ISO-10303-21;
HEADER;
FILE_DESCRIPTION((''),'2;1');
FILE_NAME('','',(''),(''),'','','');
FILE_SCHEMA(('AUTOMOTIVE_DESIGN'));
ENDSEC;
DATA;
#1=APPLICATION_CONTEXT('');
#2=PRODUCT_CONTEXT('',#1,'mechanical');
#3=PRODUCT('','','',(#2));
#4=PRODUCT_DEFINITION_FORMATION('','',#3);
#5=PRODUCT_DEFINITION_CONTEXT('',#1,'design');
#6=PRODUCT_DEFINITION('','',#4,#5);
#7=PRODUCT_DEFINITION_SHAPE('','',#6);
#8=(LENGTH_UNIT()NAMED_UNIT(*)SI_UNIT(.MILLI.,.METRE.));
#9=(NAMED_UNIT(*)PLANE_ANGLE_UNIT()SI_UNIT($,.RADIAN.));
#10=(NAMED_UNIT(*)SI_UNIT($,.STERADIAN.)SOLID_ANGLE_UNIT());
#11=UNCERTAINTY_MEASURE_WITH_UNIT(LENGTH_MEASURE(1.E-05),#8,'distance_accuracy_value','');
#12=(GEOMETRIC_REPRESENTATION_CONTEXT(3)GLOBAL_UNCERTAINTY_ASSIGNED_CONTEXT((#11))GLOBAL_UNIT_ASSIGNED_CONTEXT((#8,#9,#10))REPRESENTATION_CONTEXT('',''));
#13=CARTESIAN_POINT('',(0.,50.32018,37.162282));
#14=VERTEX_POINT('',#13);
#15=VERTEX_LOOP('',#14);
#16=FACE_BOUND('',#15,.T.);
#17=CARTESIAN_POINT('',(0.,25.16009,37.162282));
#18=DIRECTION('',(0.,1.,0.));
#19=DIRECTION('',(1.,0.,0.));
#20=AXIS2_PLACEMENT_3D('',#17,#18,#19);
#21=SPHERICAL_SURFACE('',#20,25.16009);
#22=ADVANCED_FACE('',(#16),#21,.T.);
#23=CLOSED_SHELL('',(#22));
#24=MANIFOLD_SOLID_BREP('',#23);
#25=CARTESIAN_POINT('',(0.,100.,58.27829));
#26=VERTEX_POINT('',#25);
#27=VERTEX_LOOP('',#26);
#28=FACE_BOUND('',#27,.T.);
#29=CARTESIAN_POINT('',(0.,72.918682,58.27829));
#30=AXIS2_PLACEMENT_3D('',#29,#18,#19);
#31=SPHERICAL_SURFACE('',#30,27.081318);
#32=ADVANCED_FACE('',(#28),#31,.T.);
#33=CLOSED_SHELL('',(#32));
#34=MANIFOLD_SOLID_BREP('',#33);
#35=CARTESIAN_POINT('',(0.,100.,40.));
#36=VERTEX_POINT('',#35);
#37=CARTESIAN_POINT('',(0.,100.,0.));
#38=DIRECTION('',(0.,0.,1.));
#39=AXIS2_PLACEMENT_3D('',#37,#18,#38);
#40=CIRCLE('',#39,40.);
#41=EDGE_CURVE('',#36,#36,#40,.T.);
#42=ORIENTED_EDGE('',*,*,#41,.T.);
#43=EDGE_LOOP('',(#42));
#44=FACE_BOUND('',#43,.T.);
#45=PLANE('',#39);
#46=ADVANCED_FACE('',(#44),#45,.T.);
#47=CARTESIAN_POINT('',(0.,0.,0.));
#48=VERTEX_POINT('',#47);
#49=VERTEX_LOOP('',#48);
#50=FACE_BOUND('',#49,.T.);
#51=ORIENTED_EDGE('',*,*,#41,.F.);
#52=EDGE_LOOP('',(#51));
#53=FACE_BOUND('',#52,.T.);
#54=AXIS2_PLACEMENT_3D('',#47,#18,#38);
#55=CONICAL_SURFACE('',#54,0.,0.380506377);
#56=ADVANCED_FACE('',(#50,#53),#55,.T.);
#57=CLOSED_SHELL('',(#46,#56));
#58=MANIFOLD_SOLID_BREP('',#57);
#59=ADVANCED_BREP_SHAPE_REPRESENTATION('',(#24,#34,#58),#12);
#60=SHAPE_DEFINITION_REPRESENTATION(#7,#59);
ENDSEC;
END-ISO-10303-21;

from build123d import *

# Parameters (mm, degrees)
SKETCH2_R = 40


with BuildPart() as part:
    # Sketch2 → Cone section 0
    with BuildSketch(Plane(origin=(0, 100, 0), x_dir=(-1, 0, 0), z_dir=(0, 1, 0)), mode=Mode.PRIVATE) as cone_s0:
        Circle(SKETCH2_R)
    loft([cone_s0.sketch, Vertex(0, 0, 0)])


with BuildPart() as body_2:
    # Sketch5 → SphereB (revolve)
    with BuildSketch(Plane.XY.offset(58.278289835)):
        with BuildLine():
            Line((0, 100), (0, 45.837363086))
            ThreePointArc((0, 45.837363086), (27.081318457, 72.918681543), (0, 100))
        make_face()
    revolve(axis=Axis((0, 100, 58.278289835), (0, -1, 0)))


with BuildPart() as body_3:
    # Sketch7 → SphereA (revolve)
    with BuildSketch(Plane.XY.offset(37.162282055)):
        with BuildLine():
            Line((0, 50.320179747), (0, 0))
            ThreePointArc((0, 0), (25.160089873, 25.160089873), (0, 50.320179747))
        make_face()
    revolve(axis=Axis((0, 50.320179747, 37.162282055), (0, -1, 0)))


solid = Compound([part.part, body_2.part, body_3.part])
